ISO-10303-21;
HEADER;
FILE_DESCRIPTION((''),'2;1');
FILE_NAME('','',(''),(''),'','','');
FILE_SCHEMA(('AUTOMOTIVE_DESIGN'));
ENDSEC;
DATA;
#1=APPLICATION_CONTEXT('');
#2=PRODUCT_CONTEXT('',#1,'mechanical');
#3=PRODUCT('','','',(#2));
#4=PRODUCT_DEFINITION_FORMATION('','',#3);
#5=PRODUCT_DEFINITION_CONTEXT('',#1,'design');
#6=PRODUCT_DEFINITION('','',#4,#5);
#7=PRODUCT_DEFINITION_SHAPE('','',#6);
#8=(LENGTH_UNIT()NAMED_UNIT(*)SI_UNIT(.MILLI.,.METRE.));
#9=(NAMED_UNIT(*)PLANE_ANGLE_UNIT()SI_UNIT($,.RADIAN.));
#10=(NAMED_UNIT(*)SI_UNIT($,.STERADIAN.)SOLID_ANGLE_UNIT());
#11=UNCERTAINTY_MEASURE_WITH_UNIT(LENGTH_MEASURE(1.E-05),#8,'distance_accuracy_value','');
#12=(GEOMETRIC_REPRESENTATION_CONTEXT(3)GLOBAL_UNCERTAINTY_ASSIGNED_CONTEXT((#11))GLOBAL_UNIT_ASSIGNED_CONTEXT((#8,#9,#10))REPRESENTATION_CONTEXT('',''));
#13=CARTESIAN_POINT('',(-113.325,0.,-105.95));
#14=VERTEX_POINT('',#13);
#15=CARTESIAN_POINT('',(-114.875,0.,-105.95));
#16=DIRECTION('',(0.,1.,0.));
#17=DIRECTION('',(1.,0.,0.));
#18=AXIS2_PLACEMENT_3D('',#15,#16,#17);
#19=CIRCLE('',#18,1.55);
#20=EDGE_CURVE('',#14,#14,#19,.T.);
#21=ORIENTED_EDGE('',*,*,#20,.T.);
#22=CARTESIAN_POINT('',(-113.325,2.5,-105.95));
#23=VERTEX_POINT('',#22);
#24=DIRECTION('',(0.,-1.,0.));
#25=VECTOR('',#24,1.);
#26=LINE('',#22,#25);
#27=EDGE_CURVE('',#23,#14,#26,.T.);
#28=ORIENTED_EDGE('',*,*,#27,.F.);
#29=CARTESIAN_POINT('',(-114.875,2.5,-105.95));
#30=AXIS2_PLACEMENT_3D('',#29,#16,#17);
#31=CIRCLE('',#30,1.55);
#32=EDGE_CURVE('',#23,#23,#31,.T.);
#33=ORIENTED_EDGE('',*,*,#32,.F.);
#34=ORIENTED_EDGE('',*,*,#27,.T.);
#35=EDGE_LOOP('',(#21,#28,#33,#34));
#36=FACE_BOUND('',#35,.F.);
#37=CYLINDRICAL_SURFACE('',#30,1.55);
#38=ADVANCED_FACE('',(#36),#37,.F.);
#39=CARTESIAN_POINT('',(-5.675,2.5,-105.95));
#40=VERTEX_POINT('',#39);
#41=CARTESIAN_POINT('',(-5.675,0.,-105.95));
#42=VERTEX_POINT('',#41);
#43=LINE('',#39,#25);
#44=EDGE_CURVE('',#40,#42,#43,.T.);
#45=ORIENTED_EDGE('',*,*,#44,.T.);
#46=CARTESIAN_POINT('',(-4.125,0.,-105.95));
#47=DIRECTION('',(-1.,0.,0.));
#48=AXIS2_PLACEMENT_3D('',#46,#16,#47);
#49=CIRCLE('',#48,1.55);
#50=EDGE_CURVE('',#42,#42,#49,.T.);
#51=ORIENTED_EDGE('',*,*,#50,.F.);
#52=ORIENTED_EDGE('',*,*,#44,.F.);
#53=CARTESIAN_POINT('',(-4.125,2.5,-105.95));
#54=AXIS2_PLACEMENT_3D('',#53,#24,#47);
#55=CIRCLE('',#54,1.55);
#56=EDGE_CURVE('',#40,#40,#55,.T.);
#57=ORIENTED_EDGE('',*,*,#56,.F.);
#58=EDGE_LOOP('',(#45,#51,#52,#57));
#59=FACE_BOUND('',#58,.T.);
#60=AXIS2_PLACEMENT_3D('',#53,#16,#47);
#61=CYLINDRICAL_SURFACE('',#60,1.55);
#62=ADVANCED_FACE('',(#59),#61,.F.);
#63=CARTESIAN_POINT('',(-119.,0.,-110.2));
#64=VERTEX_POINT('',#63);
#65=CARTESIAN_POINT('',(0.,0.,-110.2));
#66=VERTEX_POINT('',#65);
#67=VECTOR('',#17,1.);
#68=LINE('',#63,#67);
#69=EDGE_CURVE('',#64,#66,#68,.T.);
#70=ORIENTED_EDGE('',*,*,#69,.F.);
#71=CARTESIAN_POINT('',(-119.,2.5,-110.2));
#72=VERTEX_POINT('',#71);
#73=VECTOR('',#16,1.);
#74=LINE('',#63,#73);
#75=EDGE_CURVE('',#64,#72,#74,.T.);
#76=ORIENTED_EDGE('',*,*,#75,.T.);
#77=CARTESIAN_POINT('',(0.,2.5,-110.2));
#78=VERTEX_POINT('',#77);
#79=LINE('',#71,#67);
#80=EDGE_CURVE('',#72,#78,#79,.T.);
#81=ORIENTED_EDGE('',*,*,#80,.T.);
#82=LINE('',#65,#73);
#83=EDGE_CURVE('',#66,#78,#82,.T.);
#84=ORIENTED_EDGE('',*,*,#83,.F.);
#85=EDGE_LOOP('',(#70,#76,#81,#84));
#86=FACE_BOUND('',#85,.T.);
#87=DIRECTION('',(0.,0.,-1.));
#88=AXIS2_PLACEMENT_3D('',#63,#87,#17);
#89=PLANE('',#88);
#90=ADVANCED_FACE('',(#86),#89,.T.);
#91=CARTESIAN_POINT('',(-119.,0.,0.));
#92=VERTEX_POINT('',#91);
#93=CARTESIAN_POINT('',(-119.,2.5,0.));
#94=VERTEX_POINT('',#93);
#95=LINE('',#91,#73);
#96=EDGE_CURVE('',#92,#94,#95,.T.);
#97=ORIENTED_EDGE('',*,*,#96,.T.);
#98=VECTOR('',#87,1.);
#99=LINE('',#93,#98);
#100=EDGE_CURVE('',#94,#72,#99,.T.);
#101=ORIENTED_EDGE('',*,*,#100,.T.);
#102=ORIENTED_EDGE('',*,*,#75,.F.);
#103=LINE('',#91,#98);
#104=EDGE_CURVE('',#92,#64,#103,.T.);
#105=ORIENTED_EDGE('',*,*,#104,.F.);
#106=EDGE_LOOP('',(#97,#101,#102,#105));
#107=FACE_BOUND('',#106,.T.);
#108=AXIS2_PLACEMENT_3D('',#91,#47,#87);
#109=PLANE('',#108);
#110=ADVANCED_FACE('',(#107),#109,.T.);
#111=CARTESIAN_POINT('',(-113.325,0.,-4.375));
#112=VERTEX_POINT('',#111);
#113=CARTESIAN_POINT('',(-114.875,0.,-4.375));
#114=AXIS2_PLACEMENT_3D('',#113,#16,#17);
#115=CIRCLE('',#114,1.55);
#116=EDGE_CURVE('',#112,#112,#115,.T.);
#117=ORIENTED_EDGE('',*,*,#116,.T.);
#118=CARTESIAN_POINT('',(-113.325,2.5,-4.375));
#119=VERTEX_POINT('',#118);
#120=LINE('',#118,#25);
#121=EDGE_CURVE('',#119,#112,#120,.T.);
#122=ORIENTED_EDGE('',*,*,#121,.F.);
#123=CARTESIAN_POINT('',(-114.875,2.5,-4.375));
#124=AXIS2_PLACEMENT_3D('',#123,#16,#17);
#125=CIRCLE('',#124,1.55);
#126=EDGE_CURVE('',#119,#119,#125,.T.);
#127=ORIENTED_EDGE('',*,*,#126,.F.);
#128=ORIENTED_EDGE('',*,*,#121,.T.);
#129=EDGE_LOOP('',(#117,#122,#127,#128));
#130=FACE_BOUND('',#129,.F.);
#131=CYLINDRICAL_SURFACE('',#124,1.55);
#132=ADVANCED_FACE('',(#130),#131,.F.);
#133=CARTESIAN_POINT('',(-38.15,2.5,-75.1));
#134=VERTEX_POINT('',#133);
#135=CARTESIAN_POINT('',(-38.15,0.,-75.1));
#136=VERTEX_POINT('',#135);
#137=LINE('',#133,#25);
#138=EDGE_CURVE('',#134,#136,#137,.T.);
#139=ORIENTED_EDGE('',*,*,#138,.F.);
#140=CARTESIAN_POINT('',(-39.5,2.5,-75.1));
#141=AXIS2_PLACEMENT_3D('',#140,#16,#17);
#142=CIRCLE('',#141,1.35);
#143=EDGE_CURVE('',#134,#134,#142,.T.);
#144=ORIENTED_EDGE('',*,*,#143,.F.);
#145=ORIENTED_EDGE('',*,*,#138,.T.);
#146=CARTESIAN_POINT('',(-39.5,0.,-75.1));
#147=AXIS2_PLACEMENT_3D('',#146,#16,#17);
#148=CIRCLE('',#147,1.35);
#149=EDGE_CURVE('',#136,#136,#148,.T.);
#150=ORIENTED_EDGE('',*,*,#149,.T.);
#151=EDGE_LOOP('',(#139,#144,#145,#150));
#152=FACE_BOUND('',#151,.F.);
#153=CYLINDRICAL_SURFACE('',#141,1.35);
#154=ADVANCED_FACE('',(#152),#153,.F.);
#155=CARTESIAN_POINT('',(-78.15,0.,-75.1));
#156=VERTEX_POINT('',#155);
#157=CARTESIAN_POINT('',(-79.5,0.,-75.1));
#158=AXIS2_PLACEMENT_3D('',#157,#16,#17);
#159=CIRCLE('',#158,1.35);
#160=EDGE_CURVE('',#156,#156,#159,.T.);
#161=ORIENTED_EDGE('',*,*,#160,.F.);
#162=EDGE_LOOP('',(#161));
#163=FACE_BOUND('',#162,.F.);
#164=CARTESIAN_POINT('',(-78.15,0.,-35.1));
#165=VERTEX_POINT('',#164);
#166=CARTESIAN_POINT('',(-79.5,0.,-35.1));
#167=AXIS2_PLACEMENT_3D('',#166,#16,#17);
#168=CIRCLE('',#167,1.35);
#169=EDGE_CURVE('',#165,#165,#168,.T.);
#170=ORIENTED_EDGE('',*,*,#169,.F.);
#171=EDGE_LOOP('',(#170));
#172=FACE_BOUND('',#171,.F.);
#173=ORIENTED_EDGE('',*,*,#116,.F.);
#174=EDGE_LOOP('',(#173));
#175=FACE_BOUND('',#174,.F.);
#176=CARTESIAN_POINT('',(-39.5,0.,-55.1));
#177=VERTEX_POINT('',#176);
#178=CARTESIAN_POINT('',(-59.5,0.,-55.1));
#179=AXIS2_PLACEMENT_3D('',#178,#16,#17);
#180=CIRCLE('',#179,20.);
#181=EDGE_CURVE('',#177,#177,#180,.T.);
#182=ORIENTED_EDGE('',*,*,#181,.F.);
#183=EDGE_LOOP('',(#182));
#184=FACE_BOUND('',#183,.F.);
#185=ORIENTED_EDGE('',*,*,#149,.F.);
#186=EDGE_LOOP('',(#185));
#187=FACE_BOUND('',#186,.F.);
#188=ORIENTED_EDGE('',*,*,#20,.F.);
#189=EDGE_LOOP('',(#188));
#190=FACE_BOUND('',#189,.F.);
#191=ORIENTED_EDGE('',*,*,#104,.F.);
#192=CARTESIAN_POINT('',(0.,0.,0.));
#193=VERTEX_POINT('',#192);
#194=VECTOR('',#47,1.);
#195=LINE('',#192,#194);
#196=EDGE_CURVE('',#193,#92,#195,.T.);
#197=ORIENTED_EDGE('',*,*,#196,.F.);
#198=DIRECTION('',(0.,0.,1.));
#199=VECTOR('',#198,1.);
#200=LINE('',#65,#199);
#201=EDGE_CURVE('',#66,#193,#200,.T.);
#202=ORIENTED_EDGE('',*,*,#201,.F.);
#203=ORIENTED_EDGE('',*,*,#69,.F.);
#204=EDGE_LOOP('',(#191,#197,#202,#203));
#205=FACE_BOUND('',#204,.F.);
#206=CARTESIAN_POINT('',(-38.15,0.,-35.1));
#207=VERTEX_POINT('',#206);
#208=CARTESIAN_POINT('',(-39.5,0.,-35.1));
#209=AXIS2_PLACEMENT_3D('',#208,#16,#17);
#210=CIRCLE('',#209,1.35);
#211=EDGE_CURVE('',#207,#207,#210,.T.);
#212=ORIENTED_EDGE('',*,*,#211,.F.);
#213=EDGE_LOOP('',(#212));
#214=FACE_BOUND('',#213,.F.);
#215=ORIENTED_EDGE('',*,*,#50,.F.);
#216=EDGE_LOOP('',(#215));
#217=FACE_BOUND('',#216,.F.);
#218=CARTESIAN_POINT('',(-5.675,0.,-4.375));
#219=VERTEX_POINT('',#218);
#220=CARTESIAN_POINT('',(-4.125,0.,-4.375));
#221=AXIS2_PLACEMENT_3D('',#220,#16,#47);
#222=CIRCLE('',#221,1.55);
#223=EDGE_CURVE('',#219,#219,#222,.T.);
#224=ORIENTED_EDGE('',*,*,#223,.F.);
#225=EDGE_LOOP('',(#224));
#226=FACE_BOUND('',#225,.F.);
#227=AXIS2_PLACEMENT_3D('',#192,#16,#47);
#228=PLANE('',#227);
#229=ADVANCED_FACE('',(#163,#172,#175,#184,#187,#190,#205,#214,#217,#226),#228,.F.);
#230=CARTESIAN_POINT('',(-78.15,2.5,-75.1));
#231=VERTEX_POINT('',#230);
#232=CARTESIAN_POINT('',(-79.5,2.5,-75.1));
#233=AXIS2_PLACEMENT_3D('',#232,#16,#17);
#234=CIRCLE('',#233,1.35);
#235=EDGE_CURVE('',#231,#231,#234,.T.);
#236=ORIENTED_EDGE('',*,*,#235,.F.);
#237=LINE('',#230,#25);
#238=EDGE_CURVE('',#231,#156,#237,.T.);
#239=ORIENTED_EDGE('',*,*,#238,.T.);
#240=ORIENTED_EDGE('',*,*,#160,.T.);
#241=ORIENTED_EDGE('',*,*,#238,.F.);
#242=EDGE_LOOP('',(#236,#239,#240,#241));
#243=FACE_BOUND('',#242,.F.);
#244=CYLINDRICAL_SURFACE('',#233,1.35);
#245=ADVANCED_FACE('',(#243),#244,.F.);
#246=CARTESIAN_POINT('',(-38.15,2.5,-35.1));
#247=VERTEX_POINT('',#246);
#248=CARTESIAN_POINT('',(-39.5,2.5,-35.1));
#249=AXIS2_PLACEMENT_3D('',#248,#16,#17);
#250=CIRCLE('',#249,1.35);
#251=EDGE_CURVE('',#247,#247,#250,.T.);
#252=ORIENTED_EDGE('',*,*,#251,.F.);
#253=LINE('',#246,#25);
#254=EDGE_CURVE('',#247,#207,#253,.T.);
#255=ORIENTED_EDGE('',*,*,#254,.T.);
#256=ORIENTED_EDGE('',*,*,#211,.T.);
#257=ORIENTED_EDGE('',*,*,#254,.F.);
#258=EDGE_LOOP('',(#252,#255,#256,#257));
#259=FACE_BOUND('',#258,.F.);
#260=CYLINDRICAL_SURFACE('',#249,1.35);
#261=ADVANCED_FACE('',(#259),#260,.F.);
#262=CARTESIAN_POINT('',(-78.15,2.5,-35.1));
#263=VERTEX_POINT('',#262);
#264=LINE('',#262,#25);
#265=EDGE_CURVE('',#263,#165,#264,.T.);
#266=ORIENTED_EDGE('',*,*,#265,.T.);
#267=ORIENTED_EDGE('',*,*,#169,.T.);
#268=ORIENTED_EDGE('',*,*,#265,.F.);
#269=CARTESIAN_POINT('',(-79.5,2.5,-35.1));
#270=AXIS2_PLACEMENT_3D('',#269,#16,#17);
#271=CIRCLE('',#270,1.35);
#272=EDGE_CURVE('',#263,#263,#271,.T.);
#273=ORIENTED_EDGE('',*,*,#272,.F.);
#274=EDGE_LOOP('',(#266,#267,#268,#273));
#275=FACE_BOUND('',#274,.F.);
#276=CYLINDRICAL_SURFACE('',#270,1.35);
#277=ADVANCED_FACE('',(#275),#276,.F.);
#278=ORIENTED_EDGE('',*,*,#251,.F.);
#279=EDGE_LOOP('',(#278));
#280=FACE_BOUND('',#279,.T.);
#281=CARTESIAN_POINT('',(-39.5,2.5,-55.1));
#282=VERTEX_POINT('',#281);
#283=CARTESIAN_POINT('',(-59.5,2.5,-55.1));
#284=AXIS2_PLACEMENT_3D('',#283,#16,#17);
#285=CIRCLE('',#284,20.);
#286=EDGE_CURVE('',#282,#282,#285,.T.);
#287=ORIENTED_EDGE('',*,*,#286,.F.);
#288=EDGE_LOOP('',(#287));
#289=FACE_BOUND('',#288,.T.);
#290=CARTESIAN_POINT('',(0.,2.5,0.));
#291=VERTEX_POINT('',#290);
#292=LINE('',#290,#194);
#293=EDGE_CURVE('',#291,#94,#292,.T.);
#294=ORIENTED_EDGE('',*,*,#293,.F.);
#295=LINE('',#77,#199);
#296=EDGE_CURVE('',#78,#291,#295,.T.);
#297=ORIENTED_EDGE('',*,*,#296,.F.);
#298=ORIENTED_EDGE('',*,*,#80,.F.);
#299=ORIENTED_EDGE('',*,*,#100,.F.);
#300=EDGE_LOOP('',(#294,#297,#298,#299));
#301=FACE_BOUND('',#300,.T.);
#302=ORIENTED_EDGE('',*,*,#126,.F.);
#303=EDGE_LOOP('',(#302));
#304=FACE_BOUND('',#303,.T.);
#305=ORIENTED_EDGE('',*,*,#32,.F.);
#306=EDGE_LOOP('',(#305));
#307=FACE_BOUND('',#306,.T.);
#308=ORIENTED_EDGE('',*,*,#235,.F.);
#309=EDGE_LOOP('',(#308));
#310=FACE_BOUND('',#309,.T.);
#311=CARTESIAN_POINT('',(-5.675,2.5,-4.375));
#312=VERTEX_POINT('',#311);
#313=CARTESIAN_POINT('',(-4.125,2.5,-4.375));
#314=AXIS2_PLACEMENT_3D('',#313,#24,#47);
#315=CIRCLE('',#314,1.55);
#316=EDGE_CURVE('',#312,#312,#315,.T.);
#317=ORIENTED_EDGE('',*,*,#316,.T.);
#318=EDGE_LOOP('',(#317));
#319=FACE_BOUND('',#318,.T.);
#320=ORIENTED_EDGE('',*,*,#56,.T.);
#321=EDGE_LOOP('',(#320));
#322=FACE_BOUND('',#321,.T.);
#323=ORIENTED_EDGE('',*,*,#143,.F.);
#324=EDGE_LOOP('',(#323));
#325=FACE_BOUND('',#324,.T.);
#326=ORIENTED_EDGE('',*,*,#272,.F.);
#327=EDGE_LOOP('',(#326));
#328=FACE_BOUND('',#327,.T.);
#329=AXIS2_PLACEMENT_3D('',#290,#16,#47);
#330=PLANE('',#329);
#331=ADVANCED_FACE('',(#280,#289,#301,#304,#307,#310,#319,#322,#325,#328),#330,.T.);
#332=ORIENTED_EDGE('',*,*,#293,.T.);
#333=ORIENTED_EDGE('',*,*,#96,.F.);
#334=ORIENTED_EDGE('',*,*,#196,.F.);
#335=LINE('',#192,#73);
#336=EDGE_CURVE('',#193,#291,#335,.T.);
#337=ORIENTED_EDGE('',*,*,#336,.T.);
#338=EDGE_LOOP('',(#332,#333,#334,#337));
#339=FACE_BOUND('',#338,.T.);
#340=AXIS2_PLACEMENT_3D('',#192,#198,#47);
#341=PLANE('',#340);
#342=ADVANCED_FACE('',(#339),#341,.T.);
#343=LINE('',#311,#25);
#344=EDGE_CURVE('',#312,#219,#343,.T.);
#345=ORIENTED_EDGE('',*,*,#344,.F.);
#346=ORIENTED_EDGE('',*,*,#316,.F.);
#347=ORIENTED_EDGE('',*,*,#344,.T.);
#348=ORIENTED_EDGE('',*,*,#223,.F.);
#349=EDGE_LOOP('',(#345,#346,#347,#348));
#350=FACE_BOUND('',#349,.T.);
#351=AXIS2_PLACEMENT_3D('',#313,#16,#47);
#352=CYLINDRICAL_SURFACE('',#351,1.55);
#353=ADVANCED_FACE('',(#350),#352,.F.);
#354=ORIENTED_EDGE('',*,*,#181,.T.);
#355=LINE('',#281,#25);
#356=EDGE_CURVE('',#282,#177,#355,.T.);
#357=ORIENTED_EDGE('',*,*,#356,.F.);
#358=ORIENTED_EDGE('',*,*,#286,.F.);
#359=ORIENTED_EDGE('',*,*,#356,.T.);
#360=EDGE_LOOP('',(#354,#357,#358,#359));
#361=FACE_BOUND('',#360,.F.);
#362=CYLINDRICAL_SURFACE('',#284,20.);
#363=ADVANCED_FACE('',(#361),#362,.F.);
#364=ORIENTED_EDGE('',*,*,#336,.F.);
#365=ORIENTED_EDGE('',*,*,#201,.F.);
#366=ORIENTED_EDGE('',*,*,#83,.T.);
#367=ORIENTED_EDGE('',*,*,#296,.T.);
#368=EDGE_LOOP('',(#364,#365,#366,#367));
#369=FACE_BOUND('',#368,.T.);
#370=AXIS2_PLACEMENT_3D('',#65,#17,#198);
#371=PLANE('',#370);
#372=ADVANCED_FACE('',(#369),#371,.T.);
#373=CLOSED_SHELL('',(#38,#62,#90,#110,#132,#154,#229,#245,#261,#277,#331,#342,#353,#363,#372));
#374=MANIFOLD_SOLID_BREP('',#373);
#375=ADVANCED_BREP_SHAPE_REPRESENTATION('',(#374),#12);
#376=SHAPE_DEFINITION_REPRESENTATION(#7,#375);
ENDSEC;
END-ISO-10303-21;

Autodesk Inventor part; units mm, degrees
ref_plane "YZ Plane" through (0, 0, 0) normal (1, 0, 0) x (0, 1, 0)
ref_plane "XZ Plane" through (0, 0, 0) normal (0, 1, 0) x (-1, 0, 0)
sketch "Sketch1" plane through (0, 0, 0) normal (0, 1, 0) x (-1, 0, 0)
  line L0 (0, 0) -> (119, 0)
  line L1 (119, 0) -> (119, -110.2)
  line L2 (119, -110.2) -> (0, -110.2)
  line L3 (0, -110.2) -> (0, 0)
  dimension "d0" = 119
  dimension "d1" = 110.2
extrude "Extrusion1" add sketch "Sketch1" along normal blind 2.5
sketch "Sketch2" plane through (0, 2.5, 0) normal (0, 1, 0) x (1, 0, 0)
  line L0 (-119, 0) -> (0, 0) projected
  line L1 (0, 0) -> (0, 110.2) projected
  line L2 (0, 110.2) -> (-119, 110.2) projected
  line L3 (-119, 110.2) -> (-119, 0) projected
  circle A0 centre (-114.875, 4.375) radius 1.55
  circle A1 centre (-11.5301, 10.067) radius 1.55
  circle A2 centre (-11.5301, 99.7072) radius 1.55
  circle A3 centre (-114.875, 105.95) radius 1.55
  dimension "d4" = 3.1
  dimension "d5" = 3.1
  dimension "d6" = 3.1
  dimension "d7" = 3.1
  dimension "d8" = 4.375
  dimension "d9" = 4.125
  dimension "d10" = 4.25
  dimension "d11" = 4.125
extrude "Extrusion2" cut sketch "Sketch2" against normal through all contours A0 | A3
ref_plane "Work Plane1" through (-59.5, 0, 0) normal (1, 0, 0) x (0, 0, -1)
mirror "Mirror1" about plane through (-59.5, 0, 0) normal (1, 0, 0) of "Extrusion2"
sketch "Sketch3" plane through (0, 2.5, 0) normal (0, 1, 0) x (1, 0, 0)
  circle A0 centre (-4.125, 4.375) radius 1.55 projected
  circle A1 centre (-4.125, 105.95) radius 1.55 projected
  circle A2 centre (-114.875, 4.375) radius 1.55 projected
  circle A3 centre (-114.875, 105.95) radius 1.55 projected
  line L0 (-119, 0) -> (0, 0) projected
  line L1 (0, 0) -> (0, 110.2) projected
  line L2 (0, 110.2) -> (-119, 110.2) projected
  line L3 (-119, 110.2) -> (-119, 0) projected
  circle A4 centre (-59.5, 55.1) radius 20
  circle A5 centre (-39.5, 75.1) radius 1.35
  circle A6 centre (-39.5, 35.1) radius 1.35
  circle A7 centre (-79.5, 35.1) radius 1.35
  circle A8 centre (-79.5, 75.1) radius 1.35
  dimension "d26" = 2.7
  dimension "d27" = 2.7
extrude "Extrusion3" cut sketch "Sketch3" against normal through all contours A4 | A5 | A6 | A7 | A8
properties part number "Base Cover Left"
